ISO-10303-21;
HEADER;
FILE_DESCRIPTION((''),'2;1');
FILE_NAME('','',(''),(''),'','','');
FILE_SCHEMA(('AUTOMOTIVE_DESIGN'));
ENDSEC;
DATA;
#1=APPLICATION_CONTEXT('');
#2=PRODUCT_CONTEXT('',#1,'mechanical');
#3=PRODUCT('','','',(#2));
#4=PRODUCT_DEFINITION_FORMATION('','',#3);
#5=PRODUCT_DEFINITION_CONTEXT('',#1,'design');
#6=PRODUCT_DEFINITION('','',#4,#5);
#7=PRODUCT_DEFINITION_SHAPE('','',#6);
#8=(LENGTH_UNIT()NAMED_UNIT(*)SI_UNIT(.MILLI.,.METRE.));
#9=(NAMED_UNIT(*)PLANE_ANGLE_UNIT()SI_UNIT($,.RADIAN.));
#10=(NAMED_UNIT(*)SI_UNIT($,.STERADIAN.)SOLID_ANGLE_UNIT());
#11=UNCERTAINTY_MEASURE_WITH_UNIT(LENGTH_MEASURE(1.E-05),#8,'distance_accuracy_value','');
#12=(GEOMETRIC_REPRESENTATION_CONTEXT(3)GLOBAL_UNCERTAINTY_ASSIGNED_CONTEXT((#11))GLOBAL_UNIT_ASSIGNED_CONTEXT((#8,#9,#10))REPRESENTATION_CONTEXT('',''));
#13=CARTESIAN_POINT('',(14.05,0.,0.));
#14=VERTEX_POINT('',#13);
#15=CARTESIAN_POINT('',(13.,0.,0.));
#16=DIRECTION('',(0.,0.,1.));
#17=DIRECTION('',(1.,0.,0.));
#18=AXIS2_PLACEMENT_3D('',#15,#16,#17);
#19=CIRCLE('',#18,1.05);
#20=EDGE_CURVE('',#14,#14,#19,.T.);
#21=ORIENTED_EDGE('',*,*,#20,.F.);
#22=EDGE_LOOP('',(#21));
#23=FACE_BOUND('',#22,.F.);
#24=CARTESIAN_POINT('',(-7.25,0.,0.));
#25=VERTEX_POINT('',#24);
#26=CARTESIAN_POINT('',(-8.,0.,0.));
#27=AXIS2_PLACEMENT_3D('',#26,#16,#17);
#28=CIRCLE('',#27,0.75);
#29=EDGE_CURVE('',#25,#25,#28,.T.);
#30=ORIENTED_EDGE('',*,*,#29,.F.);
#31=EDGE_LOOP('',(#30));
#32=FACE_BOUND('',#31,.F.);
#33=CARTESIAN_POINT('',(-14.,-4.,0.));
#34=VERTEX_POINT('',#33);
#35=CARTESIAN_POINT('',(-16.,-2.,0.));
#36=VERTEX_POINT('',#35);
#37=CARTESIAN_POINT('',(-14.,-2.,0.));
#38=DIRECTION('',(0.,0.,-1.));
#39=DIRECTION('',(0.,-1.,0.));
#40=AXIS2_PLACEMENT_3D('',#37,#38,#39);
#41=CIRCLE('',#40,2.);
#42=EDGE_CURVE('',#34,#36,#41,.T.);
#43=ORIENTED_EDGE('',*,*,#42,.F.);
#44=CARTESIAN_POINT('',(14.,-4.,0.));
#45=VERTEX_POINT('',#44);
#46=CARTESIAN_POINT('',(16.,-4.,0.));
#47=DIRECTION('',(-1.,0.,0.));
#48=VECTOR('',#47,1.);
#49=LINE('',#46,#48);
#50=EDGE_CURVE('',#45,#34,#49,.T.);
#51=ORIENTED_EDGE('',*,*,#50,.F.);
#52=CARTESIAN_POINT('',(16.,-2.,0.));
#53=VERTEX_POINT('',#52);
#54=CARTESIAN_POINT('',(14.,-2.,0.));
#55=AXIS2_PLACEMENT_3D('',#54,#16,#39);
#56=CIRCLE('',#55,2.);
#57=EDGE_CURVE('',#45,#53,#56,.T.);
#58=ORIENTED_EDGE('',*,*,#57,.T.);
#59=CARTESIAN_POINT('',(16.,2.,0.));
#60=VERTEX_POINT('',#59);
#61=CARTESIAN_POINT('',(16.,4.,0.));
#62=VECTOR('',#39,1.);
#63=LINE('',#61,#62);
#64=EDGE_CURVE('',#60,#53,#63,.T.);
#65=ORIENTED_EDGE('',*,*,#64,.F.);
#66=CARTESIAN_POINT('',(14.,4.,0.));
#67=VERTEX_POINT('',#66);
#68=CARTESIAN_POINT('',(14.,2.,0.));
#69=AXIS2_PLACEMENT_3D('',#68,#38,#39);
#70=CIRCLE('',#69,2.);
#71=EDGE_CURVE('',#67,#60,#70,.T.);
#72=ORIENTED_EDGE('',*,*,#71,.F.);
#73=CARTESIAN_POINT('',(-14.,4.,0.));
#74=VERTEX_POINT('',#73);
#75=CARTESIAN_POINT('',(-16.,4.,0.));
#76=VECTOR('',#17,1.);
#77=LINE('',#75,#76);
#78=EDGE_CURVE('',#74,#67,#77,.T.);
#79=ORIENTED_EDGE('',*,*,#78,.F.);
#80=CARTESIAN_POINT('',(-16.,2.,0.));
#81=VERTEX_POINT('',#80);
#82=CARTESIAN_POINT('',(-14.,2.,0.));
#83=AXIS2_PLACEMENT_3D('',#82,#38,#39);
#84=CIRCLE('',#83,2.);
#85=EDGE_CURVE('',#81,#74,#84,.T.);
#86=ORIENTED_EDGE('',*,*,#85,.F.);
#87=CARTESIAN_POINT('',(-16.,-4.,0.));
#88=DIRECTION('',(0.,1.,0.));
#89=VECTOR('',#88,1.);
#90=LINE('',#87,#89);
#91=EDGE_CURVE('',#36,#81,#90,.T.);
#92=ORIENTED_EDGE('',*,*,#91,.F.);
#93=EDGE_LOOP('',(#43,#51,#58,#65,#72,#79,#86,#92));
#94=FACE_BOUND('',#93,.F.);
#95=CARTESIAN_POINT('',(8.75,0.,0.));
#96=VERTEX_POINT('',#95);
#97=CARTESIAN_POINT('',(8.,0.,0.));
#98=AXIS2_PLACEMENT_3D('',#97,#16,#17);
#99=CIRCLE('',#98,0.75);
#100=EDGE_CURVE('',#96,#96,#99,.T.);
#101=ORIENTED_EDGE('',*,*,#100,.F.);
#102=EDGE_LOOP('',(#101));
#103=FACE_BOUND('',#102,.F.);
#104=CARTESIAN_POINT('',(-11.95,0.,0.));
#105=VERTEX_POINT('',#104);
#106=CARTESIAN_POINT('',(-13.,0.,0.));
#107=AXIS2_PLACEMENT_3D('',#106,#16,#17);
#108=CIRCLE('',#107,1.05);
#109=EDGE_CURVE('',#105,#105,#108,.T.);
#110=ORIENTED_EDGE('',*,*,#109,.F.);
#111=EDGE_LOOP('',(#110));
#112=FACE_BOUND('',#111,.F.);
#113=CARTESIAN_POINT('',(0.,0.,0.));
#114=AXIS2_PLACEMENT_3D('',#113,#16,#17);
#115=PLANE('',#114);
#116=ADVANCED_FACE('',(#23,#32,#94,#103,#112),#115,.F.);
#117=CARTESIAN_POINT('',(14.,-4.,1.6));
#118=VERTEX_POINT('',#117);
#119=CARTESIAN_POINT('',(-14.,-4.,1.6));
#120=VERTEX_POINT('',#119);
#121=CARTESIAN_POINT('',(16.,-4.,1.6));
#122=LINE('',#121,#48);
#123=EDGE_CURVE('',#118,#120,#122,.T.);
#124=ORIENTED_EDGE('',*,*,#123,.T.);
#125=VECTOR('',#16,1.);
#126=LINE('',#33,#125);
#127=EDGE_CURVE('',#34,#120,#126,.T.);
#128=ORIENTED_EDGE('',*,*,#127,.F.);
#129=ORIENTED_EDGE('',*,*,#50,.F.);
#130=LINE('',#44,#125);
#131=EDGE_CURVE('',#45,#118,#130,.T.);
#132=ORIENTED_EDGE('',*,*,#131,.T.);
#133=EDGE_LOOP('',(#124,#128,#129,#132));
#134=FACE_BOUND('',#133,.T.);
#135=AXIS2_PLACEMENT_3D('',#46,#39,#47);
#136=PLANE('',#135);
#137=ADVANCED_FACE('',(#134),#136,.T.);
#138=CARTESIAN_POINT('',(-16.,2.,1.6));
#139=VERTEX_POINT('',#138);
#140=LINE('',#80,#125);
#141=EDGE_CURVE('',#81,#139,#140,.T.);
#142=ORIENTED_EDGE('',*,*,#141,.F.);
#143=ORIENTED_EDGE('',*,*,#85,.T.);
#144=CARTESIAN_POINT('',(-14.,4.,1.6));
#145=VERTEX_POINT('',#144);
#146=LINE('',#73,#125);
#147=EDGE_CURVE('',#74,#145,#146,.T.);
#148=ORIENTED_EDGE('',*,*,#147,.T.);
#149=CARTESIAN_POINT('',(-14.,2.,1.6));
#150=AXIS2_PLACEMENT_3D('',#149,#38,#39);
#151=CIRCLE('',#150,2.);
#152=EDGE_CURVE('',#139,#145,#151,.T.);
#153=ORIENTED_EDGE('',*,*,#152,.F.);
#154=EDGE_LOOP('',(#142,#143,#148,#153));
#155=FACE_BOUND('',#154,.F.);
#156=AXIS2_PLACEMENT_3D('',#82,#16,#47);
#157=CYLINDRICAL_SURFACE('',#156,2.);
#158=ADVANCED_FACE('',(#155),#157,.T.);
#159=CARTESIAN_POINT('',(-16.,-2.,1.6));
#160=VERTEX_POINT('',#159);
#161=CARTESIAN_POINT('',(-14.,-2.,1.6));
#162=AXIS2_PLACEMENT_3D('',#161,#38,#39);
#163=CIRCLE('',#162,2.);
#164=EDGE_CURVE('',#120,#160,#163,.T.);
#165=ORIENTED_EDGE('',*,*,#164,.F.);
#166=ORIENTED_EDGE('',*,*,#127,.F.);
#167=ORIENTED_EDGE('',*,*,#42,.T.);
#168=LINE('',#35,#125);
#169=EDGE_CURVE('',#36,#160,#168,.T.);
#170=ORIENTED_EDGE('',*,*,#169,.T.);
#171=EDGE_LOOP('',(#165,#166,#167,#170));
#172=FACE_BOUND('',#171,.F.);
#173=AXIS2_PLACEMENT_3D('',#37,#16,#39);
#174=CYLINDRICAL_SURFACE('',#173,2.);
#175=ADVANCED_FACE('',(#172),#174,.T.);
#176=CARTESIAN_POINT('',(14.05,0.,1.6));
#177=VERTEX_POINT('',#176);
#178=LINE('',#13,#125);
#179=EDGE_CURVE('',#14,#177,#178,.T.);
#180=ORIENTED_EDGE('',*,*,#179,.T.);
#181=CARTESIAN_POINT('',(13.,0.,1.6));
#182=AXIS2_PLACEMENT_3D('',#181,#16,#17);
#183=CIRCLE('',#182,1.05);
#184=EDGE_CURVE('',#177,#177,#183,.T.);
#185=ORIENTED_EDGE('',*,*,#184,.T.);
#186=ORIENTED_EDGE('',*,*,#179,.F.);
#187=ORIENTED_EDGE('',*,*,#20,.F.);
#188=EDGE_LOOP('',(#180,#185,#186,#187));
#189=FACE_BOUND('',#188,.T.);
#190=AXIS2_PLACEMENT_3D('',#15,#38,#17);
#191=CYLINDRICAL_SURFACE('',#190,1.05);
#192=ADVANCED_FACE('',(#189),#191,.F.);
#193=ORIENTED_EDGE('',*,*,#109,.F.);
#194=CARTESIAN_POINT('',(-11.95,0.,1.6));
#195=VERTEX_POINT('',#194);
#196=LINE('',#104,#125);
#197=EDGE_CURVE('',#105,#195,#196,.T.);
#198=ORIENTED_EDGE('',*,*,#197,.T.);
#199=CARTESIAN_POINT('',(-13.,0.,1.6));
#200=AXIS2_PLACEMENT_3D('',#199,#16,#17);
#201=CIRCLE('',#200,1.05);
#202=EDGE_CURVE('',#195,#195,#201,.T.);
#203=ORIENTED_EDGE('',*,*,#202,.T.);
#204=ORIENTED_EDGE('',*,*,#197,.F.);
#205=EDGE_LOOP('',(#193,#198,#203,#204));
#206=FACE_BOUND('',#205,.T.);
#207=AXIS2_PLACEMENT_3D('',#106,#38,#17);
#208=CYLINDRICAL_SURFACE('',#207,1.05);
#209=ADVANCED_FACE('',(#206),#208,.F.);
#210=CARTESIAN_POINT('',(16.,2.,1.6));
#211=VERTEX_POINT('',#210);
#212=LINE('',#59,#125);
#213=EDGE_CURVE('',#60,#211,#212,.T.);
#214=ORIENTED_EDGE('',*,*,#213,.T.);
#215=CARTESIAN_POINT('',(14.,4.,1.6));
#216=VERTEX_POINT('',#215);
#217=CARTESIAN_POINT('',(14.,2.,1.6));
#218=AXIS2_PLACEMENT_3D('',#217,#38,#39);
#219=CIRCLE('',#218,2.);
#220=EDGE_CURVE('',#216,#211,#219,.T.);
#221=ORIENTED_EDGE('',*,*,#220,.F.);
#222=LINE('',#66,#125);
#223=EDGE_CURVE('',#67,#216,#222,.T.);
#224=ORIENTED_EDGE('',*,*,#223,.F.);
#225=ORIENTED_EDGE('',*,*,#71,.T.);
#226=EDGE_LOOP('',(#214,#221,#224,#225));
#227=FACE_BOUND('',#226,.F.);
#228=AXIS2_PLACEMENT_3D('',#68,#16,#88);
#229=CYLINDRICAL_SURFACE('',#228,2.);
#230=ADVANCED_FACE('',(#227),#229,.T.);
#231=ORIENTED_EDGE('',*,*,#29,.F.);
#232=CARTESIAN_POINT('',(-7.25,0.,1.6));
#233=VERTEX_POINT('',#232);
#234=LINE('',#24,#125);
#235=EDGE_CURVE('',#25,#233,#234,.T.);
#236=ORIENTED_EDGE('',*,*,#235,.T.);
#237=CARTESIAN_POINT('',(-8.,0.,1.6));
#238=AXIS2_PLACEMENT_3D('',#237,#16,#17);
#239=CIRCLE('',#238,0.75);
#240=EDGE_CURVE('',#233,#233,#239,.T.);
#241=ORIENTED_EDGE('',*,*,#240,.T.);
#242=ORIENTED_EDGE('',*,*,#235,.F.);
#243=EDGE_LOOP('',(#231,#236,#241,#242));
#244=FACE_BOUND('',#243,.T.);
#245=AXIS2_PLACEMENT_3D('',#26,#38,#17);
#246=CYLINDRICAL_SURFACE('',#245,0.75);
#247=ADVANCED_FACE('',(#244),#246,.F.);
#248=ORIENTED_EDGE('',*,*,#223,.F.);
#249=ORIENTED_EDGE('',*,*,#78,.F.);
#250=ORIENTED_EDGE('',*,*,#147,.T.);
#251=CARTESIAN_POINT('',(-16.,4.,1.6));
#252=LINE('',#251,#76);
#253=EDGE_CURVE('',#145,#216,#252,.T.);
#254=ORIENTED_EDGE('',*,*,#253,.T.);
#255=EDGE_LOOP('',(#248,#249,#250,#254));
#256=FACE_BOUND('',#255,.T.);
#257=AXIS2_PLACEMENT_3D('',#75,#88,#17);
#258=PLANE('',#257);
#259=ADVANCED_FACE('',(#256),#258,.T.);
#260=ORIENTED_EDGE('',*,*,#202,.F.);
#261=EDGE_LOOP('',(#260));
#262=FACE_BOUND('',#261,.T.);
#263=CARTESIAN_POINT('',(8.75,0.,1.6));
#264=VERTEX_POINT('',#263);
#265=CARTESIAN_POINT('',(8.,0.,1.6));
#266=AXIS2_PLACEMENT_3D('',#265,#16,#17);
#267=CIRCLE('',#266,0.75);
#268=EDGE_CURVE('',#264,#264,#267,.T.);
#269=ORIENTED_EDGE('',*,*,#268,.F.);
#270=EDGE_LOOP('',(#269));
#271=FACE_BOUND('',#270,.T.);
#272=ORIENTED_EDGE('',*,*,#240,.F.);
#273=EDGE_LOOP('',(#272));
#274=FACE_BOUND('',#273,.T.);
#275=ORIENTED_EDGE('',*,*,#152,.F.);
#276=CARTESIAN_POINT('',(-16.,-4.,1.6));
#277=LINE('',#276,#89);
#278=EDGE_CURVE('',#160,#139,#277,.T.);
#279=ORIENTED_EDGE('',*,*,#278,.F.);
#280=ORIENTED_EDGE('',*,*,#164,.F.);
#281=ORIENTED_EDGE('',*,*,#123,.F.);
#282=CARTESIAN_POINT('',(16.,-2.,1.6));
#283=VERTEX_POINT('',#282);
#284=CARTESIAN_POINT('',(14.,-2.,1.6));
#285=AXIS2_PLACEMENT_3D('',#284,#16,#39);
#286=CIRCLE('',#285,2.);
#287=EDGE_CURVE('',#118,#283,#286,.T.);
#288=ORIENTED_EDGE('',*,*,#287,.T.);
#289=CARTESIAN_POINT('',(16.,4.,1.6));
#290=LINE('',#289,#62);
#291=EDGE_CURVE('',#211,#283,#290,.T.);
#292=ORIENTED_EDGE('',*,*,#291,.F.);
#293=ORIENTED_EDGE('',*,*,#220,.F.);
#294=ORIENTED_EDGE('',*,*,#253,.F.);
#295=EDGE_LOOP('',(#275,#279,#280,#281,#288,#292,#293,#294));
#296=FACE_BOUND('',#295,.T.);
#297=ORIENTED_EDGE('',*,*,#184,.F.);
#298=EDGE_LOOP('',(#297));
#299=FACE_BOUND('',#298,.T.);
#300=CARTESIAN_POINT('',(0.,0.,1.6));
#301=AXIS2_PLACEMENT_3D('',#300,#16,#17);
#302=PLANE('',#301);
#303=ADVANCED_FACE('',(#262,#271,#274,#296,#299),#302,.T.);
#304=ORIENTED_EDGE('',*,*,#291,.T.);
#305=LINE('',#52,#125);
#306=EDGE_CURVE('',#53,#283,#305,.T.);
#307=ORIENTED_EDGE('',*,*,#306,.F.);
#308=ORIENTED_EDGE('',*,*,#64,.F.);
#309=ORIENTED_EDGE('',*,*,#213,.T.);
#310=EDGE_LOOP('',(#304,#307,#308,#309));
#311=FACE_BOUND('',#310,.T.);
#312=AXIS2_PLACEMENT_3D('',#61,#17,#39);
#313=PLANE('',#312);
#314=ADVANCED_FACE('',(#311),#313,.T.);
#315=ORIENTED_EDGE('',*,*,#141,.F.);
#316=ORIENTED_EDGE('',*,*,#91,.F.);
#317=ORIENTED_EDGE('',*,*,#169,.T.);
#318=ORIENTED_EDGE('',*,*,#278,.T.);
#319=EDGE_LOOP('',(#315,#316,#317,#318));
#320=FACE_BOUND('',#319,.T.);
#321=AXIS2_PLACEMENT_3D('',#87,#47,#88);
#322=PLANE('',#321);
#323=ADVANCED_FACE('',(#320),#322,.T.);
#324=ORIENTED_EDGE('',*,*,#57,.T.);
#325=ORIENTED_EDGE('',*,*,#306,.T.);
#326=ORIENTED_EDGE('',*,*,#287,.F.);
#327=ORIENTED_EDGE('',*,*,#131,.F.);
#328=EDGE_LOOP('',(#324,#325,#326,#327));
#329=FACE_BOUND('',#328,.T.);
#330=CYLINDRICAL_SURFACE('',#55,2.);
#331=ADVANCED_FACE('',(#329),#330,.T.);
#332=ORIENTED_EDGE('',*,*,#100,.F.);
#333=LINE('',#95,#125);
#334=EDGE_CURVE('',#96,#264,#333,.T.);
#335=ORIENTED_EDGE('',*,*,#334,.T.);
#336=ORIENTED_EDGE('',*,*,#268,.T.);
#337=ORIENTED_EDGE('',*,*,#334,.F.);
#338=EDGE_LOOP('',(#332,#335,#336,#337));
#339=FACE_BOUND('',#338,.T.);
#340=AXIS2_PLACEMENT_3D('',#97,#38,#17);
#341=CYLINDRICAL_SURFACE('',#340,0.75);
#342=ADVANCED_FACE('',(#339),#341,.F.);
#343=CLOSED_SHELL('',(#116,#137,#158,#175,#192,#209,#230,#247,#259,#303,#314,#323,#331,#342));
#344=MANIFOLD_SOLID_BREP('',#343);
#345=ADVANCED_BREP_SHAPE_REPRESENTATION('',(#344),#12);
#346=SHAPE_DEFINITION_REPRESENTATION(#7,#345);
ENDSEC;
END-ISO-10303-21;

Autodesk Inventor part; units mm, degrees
ref_plane "YZ Plane" through (0, 0, 0) normal (1, 0, 0) x (0, 1, 0)
ref_plane "XZ Plane" through (0, 0, 0) normal (0, 1, 0) x (-1, 0, 0)
ref_plane "XY Plane" through (0, 0, 0) normal (0, 0, 1) x (1, 0, 0)
sketch "スケッチ1" plane through (0, 0, 0) normal (0, 0, 1) x (1, 0, 0)
  line L0 (16, -4) -> (-16, -4)
  line L1 (-16, -4) -> (-16, 4)
  line L2 (-16, 4) -> (16, 4)
  line L3 (16, 4) -> (16, -4)
  line L4 (16, -4) -> (-16, 4) construction
  line L5 (-16, -4) -> (16, 4) construction
  circle A0 centre (8, 0) radius 0.75
  circle A1 centre (13, 0) radius 1.05
  circle A2 centre (-8, 0) radius 0.75
  circle A3 centre (-13, 0) radius 1.05
  point P0 (0, 0)
  point P1 (0, 0)
  point P2 (0, 0)
  dimension "d0" = 8
  dimension "d1" = 8
  dimension "d2" = 8
  dimension "d3" = 1.5
  dimension "d4" = 2.1
  dimension "d5" = 13
  dimension "d6" = 3
  dimension "d7" = 13
extrude "押し出し1" add sketch "スケッチ1" along normal blind 1.6
fillet "フィレット1" radius 2 4 edges at (-16, 4, 0.8) (16, 4, 0.8) (16, -4, 0.8) (-16, -4, 0.8)
properties part number "Parts_PCB_BatteryProbePCB" material "ガラス繊維バット"
